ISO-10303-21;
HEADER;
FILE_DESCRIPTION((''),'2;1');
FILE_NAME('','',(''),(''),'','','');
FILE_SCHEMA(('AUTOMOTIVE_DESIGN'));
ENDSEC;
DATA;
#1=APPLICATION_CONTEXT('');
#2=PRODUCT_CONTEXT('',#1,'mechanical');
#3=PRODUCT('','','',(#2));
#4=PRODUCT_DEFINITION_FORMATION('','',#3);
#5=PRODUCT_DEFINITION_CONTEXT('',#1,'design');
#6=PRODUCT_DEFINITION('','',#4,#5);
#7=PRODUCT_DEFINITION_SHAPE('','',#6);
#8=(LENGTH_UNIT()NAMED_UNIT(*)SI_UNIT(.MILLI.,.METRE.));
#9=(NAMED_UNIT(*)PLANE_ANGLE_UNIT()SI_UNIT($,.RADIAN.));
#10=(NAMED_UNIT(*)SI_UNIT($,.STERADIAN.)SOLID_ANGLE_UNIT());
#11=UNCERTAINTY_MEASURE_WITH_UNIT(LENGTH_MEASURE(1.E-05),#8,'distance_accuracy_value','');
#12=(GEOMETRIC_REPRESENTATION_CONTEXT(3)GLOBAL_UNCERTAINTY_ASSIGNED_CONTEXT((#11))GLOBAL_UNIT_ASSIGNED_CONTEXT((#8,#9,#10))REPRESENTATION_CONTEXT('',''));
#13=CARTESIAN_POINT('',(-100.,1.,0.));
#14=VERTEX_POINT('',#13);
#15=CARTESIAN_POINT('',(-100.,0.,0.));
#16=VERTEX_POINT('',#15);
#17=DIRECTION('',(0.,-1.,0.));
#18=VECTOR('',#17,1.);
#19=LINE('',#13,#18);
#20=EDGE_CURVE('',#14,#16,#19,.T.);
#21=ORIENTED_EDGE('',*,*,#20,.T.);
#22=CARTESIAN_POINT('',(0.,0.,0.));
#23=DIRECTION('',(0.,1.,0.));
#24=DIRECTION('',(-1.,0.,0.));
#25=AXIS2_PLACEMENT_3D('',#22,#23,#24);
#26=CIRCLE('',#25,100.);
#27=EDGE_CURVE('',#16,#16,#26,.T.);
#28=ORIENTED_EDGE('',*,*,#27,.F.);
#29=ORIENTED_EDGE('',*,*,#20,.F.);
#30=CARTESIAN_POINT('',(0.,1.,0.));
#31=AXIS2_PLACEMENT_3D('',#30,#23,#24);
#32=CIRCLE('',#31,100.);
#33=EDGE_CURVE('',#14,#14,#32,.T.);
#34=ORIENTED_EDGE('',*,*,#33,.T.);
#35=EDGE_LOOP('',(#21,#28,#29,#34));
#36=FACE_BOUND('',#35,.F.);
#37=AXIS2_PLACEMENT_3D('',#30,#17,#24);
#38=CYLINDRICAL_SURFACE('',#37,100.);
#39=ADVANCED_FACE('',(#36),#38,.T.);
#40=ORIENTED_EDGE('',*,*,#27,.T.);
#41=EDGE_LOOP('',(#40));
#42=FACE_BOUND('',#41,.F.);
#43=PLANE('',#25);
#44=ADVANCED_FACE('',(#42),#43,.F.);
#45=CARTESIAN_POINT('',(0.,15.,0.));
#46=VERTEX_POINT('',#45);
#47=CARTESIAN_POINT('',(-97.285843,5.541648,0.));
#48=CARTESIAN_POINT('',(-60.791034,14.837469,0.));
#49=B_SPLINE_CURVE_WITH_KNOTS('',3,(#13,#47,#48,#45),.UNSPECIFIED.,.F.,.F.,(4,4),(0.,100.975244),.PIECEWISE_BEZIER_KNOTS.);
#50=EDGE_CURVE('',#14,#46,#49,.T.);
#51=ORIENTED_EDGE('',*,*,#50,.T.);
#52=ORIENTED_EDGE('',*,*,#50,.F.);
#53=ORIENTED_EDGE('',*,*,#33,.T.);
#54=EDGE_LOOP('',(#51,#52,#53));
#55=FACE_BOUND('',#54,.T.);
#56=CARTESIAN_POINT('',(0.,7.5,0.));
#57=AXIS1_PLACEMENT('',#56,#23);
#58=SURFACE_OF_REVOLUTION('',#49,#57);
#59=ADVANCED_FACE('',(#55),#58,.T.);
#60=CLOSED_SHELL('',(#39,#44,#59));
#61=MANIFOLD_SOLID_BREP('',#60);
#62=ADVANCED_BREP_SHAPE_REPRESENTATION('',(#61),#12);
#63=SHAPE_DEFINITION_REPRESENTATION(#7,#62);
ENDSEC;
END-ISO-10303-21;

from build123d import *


with BuildPart() as f1:
    # F0 (on Top) → F1 (revolve)
    with BuildSketch(Plane.XY):
        with BuildLine():
            Line((-100, 0), (0, 0))
            Line((0, 0), (0, 15))
            add(Edge.make_bspline(
                [(-100, 1), (-97.285843, 5.541648), (-60.791034, 14.837469), (0, 15)],
                knots=[0, 0, 0, 0, 100.975244, 100.975244, 100.975244, 100.975244], degree=3))
            Line((-100, 1), (-100, 0))
        make_face()
    revolve(axis=Axis((0, 7.5, 0), (0, 1, 0)))


solid = f1.part
